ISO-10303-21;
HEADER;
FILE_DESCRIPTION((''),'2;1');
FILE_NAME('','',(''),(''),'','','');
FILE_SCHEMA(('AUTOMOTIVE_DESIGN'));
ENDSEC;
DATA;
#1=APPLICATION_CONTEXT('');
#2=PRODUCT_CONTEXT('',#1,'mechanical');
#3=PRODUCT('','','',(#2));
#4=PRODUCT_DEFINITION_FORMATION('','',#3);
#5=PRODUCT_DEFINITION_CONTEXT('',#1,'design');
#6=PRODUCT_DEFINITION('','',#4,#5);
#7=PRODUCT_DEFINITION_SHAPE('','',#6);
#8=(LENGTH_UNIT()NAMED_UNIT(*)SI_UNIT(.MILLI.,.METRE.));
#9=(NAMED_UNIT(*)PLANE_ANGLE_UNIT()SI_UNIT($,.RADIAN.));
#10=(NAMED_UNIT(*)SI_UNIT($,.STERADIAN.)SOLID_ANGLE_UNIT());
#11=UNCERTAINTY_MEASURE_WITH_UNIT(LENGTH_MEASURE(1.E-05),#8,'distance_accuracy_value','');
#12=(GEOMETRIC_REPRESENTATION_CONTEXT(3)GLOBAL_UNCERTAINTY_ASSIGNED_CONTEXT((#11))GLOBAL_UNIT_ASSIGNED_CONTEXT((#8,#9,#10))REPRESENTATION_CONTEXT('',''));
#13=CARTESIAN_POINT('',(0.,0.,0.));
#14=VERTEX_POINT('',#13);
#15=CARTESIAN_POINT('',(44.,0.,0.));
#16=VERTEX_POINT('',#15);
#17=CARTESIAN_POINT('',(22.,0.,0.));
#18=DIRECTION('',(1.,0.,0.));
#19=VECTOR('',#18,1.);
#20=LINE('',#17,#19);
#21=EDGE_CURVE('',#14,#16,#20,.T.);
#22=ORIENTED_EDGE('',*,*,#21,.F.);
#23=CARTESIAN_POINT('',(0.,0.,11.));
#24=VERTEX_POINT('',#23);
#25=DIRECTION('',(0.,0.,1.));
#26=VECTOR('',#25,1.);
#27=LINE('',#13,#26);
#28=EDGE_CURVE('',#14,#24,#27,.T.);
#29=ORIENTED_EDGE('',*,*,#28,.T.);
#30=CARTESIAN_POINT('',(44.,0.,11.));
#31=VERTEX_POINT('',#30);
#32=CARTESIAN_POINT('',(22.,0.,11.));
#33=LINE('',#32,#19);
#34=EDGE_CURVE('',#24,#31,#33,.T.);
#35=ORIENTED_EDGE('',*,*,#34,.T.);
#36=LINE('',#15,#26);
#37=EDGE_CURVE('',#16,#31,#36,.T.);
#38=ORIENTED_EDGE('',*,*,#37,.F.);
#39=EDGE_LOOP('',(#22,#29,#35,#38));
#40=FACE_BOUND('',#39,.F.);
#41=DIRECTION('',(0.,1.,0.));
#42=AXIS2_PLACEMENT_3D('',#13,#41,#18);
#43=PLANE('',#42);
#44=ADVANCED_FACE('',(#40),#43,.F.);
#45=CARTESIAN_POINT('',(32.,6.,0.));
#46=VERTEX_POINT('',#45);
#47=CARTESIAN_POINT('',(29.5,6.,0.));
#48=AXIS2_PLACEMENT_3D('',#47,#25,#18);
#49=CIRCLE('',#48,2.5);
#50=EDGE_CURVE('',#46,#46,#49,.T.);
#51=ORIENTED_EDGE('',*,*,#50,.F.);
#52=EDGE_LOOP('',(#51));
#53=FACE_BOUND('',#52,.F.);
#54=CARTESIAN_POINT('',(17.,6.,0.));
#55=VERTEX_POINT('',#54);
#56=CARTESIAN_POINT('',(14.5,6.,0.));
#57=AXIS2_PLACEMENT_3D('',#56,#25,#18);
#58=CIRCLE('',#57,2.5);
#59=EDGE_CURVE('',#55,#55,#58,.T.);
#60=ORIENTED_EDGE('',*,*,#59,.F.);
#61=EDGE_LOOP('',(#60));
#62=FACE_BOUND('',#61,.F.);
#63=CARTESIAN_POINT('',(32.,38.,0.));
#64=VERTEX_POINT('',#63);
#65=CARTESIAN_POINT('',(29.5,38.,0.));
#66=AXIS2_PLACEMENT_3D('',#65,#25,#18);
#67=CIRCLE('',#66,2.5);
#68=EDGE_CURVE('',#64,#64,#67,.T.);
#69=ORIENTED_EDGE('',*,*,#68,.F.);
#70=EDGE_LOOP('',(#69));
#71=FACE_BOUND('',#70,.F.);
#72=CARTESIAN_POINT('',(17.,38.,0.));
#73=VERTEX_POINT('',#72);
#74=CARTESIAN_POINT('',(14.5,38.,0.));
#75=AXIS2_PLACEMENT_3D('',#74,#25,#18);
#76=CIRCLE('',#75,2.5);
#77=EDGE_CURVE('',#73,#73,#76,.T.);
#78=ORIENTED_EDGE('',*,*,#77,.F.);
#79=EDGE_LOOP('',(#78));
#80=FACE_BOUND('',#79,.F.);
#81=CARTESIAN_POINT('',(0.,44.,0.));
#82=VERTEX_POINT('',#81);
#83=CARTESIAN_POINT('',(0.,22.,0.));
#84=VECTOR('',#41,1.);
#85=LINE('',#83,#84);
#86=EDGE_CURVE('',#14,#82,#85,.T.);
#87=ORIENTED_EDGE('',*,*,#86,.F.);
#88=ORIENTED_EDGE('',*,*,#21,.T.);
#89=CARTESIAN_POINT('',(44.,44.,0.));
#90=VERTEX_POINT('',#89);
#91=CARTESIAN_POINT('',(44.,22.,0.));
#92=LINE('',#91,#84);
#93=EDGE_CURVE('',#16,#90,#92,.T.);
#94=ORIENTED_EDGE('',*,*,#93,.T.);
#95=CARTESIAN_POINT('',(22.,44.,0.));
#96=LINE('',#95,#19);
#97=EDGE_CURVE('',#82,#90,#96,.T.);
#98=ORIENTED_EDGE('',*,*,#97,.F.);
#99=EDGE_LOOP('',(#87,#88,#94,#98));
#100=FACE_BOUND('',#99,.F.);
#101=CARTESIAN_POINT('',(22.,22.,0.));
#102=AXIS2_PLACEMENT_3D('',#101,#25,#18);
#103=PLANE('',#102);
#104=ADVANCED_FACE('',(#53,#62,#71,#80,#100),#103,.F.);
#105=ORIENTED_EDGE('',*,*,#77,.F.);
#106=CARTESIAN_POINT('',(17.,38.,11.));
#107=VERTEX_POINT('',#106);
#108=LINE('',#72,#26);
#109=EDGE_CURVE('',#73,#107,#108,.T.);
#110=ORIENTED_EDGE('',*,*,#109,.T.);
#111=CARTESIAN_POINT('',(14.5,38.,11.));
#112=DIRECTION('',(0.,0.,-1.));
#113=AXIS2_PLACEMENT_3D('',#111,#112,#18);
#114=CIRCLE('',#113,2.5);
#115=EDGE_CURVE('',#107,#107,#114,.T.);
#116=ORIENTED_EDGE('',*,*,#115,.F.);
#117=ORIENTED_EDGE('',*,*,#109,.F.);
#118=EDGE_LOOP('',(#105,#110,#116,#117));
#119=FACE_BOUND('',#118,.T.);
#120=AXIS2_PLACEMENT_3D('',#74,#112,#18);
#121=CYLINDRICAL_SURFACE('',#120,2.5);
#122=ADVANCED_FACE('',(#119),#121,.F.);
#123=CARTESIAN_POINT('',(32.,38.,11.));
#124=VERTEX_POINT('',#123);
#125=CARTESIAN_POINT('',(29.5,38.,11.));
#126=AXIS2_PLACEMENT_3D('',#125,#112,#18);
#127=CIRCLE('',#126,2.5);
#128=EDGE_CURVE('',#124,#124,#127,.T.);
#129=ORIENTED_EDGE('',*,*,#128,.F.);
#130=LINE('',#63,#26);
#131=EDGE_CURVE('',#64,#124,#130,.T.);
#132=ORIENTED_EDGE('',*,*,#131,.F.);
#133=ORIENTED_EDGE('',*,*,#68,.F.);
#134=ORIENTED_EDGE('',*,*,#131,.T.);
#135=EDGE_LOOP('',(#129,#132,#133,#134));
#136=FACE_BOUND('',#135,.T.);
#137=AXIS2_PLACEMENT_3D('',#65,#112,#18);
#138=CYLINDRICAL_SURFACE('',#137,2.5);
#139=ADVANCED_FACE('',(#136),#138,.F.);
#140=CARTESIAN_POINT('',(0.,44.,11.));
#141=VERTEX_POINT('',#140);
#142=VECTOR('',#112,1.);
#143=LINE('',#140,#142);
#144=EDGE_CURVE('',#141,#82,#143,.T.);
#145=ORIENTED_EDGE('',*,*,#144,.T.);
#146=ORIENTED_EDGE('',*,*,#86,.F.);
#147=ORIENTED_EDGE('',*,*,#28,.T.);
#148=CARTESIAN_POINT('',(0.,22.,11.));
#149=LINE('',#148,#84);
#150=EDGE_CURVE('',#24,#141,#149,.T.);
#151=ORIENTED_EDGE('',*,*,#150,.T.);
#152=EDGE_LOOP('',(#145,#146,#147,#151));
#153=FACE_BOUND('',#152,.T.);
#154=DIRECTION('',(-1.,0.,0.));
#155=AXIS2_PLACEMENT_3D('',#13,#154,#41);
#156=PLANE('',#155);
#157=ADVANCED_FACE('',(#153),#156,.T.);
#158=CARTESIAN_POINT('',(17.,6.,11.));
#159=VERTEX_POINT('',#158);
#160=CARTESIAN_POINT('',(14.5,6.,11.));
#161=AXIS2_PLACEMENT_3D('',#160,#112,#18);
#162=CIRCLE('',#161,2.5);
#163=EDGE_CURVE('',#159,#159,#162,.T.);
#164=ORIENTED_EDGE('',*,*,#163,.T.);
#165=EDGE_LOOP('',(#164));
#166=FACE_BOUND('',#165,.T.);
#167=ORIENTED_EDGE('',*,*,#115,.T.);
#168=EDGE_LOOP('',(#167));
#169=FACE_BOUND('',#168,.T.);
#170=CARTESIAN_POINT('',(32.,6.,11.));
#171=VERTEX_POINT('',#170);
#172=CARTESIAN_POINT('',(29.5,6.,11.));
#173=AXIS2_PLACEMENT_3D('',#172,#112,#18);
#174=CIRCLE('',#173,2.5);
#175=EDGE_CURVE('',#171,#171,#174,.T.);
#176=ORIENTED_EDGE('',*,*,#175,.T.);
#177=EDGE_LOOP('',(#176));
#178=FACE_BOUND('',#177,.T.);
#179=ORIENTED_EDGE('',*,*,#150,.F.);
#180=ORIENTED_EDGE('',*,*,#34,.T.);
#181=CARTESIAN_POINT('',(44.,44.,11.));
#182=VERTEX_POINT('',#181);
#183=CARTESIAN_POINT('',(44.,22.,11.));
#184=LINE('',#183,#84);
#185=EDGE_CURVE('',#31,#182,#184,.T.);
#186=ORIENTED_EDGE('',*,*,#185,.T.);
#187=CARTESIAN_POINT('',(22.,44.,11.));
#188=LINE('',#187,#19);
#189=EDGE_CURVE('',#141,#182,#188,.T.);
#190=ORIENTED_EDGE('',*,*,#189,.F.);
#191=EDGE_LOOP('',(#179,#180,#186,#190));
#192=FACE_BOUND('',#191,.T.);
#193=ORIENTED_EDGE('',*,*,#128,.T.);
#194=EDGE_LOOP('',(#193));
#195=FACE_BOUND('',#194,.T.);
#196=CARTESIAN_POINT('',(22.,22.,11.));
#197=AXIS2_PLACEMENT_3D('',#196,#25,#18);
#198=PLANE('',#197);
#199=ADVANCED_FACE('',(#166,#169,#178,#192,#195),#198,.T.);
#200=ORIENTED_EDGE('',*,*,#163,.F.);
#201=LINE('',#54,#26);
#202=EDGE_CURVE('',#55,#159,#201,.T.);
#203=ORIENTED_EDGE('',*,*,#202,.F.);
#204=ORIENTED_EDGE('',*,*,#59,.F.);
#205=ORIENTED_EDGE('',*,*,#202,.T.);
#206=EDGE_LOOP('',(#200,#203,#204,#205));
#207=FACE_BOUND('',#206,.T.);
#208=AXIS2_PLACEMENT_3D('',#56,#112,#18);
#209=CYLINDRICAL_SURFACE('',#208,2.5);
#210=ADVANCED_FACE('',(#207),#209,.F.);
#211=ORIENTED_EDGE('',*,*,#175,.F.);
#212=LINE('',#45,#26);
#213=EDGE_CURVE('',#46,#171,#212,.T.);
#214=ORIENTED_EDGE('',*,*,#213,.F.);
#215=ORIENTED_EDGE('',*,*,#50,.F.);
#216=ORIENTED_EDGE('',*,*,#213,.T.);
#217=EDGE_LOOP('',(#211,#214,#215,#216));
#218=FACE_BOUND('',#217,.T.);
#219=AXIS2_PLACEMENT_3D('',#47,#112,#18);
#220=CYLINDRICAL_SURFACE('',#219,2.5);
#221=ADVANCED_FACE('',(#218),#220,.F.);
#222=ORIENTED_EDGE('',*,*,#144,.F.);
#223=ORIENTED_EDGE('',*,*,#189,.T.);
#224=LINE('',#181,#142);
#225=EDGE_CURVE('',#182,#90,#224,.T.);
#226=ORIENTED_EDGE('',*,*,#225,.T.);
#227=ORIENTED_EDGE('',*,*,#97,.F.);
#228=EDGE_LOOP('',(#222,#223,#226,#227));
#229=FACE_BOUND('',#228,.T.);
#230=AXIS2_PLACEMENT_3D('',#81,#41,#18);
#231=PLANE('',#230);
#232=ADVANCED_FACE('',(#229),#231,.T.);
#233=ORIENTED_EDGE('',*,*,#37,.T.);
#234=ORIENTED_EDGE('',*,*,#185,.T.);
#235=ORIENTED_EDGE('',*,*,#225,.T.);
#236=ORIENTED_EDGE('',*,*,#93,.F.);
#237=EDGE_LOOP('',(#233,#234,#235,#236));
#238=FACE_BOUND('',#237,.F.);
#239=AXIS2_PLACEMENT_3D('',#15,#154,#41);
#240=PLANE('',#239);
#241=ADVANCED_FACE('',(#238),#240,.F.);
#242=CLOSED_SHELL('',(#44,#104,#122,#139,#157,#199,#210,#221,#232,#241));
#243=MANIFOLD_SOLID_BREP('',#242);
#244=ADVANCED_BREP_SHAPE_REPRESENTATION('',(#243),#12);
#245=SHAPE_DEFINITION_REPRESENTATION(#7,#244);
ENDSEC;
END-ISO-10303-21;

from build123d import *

# Parameters (mm, degrees)
CYLINDER006_R     = 2.5
CYLINDER006_DEPTH = 10
CYLINDER007_R     = 2.5
CYLINDER007_DEPTH = 10
CYLINDER005_R     = 2.5
CYLINDER005_DEPTH = 10
CYLINDER004_R     = 2.5
CYLINDER004_DEPTH = 10
BOX001_W          = 44
BOX001_H          = 44
BOX001_DEPTH      = 6
CYLINDER002_R     = 2.5
CYLINDER002_DEPTH = 10
CYLINDER003_R     = 2.5
CYLINDER003_DEPTH = 10
CYLINDER001_R     = 2.5
CYLINDER001_DEPTH = 10
CYLINDER_R        = 2.5
CYLINDER_DEPTH    = 10
BOX_W             = 44
BOX_H             = 44
BOX_DEPTH         = 6


with BuildPart() as cylinder006:
    # Cylinder006 → Cylinder006 (new body)
    with BuildSketch(Plane(origin=(14.5, 38, 0), x_dir=(1, 0, 0), z_dir=(0, 0, 1))):
        Circle(CYLINDER006_R)
    extrude(amount=CYLINDER006_DEPTH)


with BuildPart() as cylinder007:
    # Cylinder007 → Cylinder007 (new body)
    with BuildSketch(Plane(origin=(29.5, 38, 0), x_dir=(1, 0, 0), z_dir=(0, 0, 1))):
        Circle(CYLINDER007_R)
    extrude(amount=CYLINDER007_DEPTH)


with BuildPart() as cylinder005:
    # Cylinder005 → Cylinder005 (new body)
    with BuildSketch(Plane(origin=(29.5, 6, 0), x_dir=(1, 0, 0), z_dir=(0, 0, 1))):
        Circle(CYLINDER005_R)
    extrude(amount=CYLINDER005_DEPTH)


with BuildPart() as cylinder004:
    # Cylinder004 → Cylinder004 (new body)
    with BuildSketch(Plane(origin=(14.5, 6, 0), x_dir=(1, 0, 0), z_dir=(0, 0, 1))):
        Circle(CYLINDER004_R)
    extrude(amount=CYLINDER004_DEPTH)


with BuildPart() as cut007:
    # Box001 → Box001 (new body)
    with BuildSketch(Plane.XY):
        with Locations((22, 22)):
            Rectangle(BOX001_W, BOX001_H)
    extrude(amount=BOX001_DEPTH)

    # Cut004: cut Cylinder004
    add(cylinder004.part, mode=Mode.SUBTRACT)

    # Cut005: cut Cylinder005
    add(cylinder005.part, mode=Mode.SUBTRACT)

    # Cut006: cut Cylinder007
    add(cylinder007.part, mode=Mode.SUBTRACT)

    # Cut007: cut Cylinder006
    add(cylinder006.part, mode=Mode.SUBTRACT)


with BuildPart() as cut007_1:
    # Cut007 placement: moved
    add(cut007.part.moved(Location((0, 0, 5))))


with BuildPart() as cylinder002:
    # Cylinder002 → Cylinder002 (new body)
    with BuildSketch(Plane(origin=(14.5, 38, 0), x_dir=(1, 0, 0), z_dir=(0, 0, 1))):
        Circle(CYLINDER002_R)
    extrude(amount=CYLINDER002_DEPTH)


with BuildPart() as cylinder003:
    # Cylinder003 → Cylinder003 (new body)
    with BuildSketch(Plane(origin=(29.5, 38, 0), x_dir=(1, 0, 0), z_dir=(0, 0, 1))):
        Circle(CYLINDER003_R)
    extrude(amount=CYLINDER003_DEPTH)


with BuildPart() as cylinder001:
    # Cylinder001 → Cylinder001 (new body)
    with BuildSketch(Plane(origin=(29.5, 6, 0), x_dir=(1, 0, 0), z_dir=(0, 0, 1))):
        Circle(CYLINDER001_R)
    extrude(amount=CYLINDER001_DEPTH)


with BuildPart() as cylinder:
    # Cylinder → Cylinder (new body)
    with BuildSketch(Plane(origin=(14.5, 6, 0), x_dir=(1, 0, 0), z_dir=(0, 0, 1))):
        Circle(CYLINDER_R)
    extrude(amount=CYLINDER_DEPTH)


with BuildPart() as fusion:
    # Box → Box (new body)
    with BuildSketch(Plane.XY):
        with Locations((22, 22)):
            Rectangle(BOX_W, BOX_H)
    extrude(amount=BOX_DEPTH)

    # Cut: cut Cylinder
    add(cylinder.part, mode=Mode.SUBTRACT)

    # Cut001: cut Cylinder001
    add(cylinder001.part, mode=Mode.SUBTRACT)

    # Cut002: cut Cylinder003
    add(cylinder003.part, mode=Mode.SUBTRACT)

    # Cut003: cut Cylinder002
    add(cylinder002.part, mode=Mode.SUBTRACT)

    # Fusion: union Cut007
    add(cut007_1.part)


solid = fusion.part
